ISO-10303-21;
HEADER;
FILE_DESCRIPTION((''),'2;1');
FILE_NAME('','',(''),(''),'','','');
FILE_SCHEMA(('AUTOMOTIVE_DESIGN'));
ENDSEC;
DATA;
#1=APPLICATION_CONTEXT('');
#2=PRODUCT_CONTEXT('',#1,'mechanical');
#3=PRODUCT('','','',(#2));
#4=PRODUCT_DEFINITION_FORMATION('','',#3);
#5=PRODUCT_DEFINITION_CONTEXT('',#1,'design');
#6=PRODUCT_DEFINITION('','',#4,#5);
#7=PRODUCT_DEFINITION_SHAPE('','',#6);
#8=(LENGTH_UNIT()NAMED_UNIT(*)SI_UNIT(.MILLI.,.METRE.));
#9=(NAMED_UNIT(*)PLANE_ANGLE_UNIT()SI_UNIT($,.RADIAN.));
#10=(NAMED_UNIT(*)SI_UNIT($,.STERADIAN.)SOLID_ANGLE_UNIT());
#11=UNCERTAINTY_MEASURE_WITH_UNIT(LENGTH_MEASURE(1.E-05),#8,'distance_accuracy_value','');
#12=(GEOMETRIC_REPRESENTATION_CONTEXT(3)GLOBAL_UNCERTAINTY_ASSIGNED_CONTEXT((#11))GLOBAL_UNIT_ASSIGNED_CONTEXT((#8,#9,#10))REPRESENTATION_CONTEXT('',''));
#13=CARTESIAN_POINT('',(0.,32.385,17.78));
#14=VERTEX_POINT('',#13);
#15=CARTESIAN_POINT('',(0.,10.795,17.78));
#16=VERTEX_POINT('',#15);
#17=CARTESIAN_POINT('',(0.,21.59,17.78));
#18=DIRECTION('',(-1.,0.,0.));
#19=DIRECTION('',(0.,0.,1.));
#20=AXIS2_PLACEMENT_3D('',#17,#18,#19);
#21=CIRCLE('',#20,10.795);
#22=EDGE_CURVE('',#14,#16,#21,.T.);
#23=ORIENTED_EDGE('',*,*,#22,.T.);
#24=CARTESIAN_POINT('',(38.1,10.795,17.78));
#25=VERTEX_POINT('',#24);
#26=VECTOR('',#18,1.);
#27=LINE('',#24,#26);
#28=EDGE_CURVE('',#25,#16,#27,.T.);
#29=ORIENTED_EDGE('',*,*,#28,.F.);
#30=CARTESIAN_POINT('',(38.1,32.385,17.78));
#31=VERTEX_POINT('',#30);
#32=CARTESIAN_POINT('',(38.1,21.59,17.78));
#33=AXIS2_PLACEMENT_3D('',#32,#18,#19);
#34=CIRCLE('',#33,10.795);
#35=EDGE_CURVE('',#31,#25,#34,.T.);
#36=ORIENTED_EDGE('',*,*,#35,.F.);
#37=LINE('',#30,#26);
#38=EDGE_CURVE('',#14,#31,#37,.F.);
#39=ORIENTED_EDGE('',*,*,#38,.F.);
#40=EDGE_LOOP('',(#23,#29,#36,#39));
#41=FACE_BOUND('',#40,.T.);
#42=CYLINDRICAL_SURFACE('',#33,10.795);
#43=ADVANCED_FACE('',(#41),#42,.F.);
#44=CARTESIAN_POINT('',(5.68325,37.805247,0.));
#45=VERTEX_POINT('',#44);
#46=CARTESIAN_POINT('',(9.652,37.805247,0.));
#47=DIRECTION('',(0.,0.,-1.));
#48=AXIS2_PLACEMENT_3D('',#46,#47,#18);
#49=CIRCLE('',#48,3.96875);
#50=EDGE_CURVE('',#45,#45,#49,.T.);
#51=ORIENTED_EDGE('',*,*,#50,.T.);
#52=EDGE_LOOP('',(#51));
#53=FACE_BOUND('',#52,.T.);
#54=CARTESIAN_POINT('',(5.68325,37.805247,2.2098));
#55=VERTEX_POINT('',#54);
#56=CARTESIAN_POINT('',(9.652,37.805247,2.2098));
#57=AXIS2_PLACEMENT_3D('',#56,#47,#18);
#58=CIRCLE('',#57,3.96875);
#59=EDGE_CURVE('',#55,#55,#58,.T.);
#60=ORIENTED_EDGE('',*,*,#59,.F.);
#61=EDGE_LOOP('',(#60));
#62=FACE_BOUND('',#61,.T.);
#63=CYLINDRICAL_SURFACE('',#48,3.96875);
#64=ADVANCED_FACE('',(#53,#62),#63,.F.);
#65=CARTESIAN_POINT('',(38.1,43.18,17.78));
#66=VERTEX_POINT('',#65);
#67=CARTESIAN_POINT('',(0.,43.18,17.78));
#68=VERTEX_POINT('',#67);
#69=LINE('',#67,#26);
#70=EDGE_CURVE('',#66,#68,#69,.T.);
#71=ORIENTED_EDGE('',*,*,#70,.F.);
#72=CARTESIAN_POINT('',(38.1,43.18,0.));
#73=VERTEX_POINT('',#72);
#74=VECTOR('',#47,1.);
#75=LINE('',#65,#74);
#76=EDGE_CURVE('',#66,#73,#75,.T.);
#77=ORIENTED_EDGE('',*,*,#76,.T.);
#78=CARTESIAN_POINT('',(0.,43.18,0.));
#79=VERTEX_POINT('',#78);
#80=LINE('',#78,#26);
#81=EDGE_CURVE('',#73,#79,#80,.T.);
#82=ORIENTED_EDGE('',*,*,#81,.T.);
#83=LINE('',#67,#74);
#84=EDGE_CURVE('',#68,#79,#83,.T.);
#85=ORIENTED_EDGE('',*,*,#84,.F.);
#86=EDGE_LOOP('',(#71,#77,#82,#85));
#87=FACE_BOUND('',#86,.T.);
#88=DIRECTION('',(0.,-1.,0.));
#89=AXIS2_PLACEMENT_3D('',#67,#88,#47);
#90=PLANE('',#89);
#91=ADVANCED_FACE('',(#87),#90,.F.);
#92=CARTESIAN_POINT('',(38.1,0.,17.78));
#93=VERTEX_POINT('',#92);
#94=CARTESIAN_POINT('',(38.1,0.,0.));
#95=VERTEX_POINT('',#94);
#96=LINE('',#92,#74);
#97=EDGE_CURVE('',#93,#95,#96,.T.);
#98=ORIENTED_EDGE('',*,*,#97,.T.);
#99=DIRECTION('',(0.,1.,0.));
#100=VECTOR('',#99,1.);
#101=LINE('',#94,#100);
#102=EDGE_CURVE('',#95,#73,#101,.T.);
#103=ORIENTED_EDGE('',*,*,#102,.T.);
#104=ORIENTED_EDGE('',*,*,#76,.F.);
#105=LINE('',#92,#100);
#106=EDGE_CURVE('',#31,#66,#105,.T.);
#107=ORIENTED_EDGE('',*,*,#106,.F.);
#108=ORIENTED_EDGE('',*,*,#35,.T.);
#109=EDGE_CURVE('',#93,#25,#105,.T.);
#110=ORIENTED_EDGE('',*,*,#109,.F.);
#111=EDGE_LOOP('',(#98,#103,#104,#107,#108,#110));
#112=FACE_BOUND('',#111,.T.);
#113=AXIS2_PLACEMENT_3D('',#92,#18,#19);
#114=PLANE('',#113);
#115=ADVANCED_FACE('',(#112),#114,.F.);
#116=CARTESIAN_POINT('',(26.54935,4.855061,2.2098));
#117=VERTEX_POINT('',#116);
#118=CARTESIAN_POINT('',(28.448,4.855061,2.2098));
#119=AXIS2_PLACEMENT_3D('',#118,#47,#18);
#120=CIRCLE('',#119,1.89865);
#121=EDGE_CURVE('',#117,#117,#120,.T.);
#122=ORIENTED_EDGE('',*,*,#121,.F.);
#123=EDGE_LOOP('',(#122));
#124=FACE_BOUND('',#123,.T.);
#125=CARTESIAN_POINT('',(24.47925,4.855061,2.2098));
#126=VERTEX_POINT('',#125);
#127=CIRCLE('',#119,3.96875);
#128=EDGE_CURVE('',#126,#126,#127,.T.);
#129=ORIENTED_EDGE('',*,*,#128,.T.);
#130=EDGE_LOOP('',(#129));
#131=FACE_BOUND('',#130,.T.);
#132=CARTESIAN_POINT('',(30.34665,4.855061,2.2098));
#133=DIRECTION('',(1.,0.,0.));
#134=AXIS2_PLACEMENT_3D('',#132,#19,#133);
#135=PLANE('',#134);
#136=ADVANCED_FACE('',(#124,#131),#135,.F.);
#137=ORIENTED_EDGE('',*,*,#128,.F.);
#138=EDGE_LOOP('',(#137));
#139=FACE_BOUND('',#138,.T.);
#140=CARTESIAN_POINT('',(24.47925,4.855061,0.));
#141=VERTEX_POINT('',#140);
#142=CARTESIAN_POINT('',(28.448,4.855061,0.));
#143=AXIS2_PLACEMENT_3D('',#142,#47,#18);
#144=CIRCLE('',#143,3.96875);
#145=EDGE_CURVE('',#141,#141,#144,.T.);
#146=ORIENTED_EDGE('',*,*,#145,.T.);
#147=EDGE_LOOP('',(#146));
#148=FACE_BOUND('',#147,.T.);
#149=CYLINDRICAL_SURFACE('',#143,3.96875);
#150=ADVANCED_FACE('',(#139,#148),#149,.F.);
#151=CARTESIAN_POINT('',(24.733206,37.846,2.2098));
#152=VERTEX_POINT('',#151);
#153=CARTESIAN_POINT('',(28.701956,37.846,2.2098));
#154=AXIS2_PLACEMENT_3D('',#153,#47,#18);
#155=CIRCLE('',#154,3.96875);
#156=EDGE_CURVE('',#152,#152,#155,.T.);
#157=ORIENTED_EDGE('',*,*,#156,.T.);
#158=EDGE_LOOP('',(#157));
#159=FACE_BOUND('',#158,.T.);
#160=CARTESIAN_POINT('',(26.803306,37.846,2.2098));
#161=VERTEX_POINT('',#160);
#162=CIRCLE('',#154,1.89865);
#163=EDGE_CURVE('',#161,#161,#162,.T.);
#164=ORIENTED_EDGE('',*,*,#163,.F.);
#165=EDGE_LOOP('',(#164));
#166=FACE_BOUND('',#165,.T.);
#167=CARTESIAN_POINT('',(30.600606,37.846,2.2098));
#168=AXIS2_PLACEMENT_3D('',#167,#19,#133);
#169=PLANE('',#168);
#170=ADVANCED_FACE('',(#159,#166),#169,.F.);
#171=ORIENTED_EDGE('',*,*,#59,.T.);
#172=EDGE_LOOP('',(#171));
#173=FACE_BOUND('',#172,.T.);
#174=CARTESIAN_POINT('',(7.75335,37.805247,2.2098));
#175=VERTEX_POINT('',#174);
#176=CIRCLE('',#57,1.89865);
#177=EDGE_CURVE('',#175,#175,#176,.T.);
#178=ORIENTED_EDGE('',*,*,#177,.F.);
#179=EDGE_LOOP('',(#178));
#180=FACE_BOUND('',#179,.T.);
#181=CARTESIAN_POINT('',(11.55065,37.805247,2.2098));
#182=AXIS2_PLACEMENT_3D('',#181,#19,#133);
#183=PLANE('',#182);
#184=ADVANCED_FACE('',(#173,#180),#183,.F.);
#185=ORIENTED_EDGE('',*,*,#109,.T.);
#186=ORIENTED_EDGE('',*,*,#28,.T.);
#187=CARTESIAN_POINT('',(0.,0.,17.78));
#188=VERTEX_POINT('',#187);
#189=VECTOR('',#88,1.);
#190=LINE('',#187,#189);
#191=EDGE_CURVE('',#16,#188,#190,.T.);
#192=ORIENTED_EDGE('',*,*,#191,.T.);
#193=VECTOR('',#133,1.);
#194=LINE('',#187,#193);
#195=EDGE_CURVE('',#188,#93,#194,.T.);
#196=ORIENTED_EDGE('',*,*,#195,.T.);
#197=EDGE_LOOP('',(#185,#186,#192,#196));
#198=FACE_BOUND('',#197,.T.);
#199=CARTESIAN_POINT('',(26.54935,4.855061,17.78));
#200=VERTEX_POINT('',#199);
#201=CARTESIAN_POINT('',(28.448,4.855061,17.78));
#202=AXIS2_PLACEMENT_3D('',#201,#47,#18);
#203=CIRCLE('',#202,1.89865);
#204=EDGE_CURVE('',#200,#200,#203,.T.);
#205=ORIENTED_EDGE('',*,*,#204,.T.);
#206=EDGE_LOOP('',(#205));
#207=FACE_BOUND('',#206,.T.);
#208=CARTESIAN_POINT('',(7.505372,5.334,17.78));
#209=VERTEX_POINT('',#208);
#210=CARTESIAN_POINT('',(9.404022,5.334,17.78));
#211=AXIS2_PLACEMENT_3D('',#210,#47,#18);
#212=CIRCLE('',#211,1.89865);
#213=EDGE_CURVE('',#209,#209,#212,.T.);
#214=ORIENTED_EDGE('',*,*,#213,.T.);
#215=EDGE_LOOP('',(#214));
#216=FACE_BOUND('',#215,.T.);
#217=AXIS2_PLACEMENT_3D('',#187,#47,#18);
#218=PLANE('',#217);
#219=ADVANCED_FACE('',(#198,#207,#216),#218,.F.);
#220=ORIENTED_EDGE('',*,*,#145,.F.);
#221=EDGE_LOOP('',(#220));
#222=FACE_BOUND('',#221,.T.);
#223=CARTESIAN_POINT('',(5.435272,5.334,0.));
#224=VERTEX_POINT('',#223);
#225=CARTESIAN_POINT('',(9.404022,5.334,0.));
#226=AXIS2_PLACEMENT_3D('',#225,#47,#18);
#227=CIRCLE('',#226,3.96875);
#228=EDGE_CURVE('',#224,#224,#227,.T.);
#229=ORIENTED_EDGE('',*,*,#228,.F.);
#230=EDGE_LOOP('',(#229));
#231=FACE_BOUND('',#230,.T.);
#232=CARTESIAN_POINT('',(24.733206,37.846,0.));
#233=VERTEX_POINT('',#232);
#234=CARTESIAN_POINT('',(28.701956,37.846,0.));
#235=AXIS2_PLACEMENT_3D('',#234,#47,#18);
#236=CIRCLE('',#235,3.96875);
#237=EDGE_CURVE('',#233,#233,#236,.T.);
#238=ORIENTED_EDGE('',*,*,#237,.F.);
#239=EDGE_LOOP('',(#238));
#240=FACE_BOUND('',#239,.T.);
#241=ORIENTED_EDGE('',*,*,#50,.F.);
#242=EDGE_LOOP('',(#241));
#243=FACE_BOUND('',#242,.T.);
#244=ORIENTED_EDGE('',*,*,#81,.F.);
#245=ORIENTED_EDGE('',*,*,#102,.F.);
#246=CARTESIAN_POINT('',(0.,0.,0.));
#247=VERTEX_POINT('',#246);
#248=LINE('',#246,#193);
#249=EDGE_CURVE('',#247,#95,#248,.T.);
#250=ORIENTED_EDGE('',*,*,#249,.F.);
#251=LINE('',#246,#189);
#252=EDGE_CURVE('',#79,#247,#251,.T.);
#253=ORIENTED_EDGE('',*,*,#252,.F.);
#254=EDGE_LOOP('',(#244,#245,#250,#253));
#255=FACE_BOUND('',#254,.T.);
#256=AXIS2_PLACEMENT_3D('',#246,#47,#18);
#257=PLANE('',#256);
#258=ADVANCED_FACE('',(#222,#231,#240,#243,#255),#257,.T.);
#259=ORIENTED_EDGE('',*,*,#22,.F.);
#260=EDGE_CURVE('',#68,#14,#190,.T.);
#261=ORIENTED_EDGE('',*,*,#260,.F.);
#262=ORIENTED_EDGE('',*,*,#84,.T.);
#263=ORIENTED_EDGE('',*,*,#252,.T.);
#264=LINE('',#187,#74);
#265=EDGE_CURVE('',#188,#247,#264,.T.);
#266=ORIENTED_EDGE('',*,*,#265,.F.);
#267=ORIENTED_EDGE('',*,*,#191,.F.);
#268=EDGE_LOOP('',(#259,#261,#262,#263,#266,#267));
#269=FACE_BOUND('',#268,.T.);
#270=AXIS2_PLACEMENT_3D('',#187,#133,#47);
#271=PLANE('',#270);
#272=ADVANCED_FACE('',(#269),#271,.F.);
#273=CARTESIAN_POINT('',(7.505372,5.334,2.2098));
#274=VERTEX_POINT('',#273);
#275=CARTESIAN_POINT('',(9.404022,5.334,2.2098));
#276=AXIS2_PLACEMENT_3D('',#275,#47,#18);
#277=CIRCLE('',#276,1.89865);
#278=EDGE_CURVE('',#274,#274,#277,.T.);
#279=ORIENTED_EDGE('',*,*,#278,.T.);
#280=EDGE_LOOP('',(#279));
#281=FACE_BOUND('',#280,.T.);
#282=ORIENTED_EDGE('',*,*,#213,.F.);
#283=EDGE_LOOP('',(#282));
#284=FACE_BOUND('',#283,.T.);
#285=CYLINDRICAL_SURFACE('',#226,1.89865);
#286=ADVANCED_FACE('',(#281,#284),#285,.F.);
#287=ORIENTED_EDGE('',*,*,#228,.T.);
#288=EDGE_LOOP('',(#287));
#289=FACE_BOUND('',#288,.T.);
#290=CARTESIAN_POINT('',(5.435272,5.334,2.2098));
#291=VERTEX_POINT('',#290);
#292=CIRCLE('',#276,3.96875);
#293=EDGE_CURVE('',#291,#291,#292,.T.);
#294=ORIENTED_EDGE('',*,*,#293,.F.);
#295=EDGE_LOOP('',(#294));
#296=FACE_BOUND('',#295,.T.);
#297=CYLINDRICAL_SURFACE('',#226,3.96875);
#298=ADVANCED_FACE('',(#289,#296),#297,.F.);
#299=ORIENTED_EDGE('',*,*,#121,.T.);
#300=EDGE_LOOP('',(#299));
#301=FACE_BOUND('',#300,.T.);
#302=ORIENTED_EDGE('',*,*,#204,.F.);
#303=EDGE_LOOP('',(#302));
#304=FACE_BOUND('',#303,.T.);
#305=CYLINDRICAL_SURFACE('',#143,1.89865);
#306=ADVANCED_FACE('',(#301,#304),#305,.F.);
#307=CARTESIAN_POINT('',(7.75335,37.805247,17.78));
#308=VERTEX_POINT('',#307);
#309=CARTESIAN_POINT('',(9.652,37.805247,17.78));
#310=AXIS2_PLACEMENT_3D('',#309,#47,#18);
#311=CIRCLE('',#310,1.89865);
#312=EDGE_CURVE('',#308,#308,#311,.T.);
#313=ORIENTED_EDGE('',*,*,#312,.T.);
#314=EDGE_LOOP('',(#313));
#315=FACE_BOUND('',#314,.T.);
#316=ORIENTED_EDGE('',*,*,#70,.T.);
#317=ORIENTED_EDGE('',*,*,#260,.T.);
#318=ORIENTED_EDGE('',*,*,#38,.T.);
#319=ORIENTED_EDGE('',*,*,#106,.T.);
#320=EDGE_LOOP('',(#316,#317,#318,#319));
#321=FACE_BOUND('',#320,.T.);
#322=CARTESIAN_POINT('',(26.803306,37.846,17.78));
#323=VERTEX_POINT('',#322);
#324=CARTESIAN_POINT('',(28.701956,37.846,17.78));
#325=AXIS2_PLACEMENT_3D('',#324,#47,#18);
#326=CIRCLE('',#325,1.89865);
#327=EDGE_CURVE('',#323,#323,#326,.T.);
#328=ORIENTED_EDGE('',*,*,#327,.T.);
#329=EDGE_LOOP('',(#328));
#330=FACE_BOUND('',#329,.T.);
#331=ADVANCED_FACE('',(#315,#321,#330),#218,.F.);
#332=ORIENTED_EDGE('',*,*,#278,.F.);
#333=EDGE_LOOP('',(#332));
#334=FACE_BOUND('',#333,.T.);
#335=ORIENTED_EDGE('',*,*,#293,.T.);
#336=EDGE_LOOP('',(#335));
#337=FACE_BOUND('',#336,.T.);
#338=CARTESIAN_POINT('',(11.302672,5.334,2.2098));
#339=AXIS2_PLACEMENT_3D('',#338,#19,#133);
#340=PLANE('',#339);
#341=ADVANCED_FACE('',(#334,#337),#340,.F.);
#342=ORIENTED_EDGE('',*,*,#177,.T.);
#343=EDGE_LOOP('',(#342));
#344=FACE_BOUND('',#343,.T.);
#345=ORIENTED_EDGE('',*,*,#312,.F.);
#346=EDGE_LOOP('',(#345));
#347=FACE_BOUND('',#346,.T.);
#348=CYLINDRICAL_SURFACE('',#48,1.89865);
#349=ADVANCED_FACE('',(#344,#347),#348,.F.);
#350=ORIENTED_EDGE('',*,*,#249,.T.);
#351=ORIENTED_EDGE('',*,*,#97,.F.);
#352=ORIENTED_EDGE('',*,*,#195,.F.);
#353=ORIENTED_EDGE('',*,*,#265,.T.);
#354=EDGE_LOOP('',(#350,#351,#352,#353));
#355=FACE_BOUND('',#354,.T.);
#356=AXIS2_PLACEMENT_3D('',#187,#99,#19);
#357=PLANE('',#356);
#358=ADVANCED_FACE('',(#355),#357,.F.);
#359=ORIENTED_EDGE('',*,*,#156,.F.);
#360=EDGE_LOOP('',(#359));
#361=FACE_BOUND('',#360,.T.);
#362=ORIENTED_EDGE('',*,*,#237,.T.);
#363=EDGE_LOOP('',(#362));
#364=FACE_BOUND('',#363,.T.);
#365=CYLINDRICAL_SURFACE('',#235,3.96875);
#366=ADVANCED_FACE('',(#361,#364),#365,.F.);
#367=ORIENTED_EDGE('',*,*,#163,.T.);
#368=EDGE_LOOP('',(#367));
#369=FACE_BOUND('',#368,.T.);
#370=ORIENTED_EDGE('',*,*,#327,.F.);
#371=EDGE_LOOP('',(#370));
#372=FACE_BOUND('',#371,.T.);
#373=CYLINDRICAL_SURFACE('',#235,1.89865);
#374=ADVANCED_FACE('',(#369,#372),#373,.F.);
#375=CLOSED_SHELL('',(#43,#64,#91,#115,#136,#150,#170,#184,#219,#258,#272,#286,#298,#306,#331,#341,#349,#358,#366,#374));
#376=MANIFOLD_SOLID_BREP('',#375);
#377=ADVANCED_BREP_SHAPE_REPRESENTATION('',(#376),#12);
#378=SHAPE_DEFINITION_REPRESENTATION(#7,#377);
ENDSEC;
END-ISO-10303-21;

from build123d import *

# Parameters (mm, degrees)
SKETCH1_W                                           = 38.1
SKETCH1_H                                           = 43.18
BOSS_EXTRUDE1_DEPTH                                 = 17.78
SKETCH2_R                                           = 10.795
CUT_EXTRUDE1_DEPTH                                  = 61.26815743
CBORE_FOR_6_BINDING_HEAD_MACHINE_SCREW1_D           = 3.7973
CBORE_FOR_6_BINDING_HEAD_MACHINE_SCREW1_CBORE_D     = 7.9375
CBORE_FOR_6_BINDING_HEAD_MACHINE_SCREW1_CBORE_DEPTH = 2.2098


with BuildPart() as part:
    # Sketch1 → Boss-Extrude1 (new body)
    with BuildSketch(Plane.XY):
        with Locations((19.05, 21.59)):
            Rectangle(SKETCH1_W, SKETCH1_H)
    extrude(amount=BOSS_EXTRUDE1_DEPTH)

    # Sketch2 → Cut-Extrude1 (cut, through all)
    with BuildSketch(Plane.ZY):
        with Locations((17.78, 21.59)):
            Circle(SKETCH2_R)
    extrude(amount=-CUT_EXTRUDE1_DEPTH, mode=Mode.SUBTRACT)

    # CBORE for #6 Binding Head Machine Screw1 (through all)
    with Locations(Plane(origin=(28.701956409, 37.846, 0), x_dir=(-1, 0, 0), z_dir=(0, 0, -1))):
        with Locations((0, 0), (19.049956409, -0.040753052), (0.253956409, -32.99093936), (19.297934909, -32.512)):
            CounterBoreHole(CBORE_FOR_6_BINDING_HEAD_MACHINE_SCREW1_D / 2, CBORE_FOR_6_BINDING_HEAD_MACHINE_SCREW1_CBORE_D / 2, CBORE_FOR_6_BINDING_HEAD_MACHINE_SCREW1_CBORE_DEPTH)


solid = part.part
